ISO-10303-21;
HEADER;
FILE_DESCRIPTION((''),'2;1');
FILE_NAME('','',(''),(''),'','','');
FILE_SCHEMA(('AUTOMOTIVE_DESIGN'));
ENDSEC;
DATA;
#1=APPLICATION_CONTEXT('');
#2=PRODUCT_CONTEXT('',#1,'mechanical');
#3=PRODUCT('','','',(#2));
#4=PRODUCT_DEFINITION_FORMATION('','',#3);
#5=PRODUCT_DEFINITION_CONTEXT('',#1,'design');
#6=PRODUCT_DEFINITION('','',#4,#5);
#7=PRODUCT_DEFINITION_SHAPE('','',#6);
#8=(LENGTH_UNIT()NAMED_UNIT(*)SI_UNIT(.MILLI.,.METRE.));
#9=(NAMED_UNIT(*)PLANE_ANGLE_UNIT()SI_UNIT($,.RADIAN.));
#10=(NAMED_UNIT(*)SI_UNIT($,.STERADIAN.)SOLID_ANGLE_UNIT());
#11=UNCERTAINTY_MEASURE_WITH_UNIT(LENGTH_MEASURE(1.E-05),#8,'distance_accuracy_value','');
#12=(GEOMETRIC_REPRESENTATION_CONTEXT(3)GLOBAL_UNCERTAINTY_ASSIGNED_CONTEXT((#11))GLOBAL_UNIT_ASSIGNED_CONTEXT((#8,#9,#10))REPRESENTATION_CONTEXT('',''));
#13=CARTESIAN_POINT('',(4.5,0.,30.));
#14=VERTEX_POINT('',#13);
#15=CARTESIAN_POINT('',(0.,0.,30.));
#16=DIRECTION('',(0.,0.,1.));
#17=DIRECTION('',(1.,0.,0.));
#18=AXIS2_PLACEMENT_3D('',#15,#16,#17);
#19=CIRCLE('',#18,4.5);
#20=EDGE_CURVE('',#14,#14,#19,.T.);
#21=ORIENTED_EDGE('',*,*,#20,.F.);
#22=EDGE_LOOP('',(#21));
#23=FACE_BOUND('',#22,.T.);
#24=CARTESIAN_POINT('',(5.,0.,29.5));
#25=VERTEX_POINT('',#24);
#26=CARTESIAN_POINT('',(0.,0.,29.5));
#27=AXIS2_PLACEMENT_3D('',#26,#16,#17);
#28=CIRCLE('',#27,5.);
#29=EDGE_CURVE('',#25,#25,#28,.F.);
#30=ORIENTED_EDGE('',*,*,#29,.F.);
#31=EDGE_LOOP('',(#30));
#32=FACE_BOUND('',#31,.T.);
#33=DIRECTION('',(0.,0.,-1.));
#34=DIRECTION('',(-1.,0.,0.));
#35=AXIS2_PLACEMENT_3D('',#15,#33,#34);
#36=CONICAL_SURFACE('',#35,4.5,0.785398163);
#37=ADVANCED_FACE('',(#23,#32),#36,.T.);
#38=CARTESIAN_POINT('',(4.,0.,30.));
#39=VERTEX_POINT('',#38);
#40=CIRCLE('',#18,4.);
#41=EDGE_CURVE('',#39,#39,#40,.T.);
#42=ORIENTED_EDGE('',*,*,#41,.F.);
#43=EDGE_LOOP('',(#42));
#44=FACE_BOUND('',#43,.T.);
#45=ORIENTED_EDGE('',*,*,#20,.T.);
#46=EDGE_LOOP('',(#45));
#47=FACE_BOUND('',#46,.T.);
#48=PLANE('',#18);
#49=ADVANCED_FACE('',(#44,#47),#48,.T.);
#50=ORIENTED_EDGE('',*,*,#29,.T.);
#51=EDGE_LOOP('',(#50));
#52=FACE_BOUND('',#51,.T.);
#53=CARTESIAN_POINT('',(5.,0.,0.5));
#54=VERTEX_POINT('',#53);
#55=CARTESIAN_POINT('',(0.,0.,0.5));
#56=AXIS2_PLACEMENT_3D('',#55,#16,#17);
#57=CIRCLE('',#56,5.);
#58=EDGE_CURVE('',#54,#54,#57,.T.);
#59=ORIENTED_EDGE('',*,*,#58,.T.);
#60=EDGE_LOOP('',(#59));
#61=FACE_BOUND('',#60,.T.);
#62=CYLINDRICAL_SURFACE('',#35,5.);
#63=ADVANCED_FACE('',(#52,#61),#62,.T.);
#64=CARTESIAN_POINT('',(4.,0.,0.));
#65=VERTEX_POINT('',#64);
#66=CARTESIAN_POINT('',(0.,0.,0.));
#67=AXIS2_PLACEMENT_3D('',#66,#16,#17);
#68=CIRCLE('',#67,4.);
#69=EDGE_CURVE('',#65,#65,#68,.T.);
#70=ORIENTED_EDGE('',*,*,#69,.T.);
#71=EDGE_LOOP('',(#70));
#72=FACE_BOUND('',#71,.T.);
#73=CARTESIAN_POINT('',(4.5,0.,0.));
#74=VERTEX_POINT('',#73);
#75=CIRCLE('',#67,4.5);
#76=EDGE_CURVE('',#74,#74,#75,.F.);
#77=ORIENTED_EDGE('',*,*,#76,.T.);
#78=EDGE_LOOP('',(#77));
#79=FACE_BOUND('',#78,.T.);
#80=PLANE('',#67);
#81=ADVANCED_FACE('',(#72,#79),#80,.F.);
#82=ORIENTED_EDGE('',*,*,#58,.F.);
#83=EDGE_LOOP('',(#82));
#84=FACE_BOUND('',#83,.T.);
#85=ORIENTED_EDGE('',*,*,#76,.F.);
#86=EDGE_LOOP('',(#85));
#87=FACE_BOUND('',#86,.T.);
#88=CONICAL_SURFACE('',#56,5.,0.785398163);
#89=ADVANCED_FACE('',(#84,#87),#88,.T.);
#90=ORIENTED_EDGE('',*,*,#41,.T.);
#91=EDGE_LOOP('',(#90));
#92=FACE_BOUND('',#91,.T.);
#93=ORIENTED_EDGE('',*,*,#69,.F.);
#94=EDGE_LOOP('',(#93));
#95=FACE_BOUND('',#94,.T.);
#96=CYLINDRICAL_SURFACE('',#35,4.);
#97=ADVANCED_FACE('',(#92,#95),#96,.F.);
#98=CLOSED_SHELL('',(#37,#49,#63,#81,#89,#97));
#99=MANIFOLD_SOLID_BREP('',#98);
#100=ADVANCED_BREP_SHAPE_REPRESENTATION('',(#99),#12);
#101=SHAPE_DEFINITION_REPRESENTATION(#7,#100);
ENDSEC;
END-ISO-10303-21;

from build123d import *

# Parameters (mm, degrees)
SKETCH1_R           = 5
SKETCH1_R_2         = 4
EXTRUDE_THIN1_DEPTH = 30
CHAMFER1_SIZE       = 0.5


with BuildPart() as part:
    # Sketch1 → Extrude-Thin1 (new body)
    with BuildSketch(Plane.XY):
        Circle(SKETCH1_R)
        Circle(SKETCH1_R_2, mode=Mode.SUBTRACT)
    extrude(amount=EXTRUDE_THIN1_DEPTH)

    # Chamfer1
    chamfer1_edges = [part.edges().sort_by_distance(p)[0] for p in [
        (-5, 0, 0),
        (-5, 0, 30),
    ]]
    chamfer(chamfer1_edges, length=CHAMFER1_SIZE)


solid = part.part
